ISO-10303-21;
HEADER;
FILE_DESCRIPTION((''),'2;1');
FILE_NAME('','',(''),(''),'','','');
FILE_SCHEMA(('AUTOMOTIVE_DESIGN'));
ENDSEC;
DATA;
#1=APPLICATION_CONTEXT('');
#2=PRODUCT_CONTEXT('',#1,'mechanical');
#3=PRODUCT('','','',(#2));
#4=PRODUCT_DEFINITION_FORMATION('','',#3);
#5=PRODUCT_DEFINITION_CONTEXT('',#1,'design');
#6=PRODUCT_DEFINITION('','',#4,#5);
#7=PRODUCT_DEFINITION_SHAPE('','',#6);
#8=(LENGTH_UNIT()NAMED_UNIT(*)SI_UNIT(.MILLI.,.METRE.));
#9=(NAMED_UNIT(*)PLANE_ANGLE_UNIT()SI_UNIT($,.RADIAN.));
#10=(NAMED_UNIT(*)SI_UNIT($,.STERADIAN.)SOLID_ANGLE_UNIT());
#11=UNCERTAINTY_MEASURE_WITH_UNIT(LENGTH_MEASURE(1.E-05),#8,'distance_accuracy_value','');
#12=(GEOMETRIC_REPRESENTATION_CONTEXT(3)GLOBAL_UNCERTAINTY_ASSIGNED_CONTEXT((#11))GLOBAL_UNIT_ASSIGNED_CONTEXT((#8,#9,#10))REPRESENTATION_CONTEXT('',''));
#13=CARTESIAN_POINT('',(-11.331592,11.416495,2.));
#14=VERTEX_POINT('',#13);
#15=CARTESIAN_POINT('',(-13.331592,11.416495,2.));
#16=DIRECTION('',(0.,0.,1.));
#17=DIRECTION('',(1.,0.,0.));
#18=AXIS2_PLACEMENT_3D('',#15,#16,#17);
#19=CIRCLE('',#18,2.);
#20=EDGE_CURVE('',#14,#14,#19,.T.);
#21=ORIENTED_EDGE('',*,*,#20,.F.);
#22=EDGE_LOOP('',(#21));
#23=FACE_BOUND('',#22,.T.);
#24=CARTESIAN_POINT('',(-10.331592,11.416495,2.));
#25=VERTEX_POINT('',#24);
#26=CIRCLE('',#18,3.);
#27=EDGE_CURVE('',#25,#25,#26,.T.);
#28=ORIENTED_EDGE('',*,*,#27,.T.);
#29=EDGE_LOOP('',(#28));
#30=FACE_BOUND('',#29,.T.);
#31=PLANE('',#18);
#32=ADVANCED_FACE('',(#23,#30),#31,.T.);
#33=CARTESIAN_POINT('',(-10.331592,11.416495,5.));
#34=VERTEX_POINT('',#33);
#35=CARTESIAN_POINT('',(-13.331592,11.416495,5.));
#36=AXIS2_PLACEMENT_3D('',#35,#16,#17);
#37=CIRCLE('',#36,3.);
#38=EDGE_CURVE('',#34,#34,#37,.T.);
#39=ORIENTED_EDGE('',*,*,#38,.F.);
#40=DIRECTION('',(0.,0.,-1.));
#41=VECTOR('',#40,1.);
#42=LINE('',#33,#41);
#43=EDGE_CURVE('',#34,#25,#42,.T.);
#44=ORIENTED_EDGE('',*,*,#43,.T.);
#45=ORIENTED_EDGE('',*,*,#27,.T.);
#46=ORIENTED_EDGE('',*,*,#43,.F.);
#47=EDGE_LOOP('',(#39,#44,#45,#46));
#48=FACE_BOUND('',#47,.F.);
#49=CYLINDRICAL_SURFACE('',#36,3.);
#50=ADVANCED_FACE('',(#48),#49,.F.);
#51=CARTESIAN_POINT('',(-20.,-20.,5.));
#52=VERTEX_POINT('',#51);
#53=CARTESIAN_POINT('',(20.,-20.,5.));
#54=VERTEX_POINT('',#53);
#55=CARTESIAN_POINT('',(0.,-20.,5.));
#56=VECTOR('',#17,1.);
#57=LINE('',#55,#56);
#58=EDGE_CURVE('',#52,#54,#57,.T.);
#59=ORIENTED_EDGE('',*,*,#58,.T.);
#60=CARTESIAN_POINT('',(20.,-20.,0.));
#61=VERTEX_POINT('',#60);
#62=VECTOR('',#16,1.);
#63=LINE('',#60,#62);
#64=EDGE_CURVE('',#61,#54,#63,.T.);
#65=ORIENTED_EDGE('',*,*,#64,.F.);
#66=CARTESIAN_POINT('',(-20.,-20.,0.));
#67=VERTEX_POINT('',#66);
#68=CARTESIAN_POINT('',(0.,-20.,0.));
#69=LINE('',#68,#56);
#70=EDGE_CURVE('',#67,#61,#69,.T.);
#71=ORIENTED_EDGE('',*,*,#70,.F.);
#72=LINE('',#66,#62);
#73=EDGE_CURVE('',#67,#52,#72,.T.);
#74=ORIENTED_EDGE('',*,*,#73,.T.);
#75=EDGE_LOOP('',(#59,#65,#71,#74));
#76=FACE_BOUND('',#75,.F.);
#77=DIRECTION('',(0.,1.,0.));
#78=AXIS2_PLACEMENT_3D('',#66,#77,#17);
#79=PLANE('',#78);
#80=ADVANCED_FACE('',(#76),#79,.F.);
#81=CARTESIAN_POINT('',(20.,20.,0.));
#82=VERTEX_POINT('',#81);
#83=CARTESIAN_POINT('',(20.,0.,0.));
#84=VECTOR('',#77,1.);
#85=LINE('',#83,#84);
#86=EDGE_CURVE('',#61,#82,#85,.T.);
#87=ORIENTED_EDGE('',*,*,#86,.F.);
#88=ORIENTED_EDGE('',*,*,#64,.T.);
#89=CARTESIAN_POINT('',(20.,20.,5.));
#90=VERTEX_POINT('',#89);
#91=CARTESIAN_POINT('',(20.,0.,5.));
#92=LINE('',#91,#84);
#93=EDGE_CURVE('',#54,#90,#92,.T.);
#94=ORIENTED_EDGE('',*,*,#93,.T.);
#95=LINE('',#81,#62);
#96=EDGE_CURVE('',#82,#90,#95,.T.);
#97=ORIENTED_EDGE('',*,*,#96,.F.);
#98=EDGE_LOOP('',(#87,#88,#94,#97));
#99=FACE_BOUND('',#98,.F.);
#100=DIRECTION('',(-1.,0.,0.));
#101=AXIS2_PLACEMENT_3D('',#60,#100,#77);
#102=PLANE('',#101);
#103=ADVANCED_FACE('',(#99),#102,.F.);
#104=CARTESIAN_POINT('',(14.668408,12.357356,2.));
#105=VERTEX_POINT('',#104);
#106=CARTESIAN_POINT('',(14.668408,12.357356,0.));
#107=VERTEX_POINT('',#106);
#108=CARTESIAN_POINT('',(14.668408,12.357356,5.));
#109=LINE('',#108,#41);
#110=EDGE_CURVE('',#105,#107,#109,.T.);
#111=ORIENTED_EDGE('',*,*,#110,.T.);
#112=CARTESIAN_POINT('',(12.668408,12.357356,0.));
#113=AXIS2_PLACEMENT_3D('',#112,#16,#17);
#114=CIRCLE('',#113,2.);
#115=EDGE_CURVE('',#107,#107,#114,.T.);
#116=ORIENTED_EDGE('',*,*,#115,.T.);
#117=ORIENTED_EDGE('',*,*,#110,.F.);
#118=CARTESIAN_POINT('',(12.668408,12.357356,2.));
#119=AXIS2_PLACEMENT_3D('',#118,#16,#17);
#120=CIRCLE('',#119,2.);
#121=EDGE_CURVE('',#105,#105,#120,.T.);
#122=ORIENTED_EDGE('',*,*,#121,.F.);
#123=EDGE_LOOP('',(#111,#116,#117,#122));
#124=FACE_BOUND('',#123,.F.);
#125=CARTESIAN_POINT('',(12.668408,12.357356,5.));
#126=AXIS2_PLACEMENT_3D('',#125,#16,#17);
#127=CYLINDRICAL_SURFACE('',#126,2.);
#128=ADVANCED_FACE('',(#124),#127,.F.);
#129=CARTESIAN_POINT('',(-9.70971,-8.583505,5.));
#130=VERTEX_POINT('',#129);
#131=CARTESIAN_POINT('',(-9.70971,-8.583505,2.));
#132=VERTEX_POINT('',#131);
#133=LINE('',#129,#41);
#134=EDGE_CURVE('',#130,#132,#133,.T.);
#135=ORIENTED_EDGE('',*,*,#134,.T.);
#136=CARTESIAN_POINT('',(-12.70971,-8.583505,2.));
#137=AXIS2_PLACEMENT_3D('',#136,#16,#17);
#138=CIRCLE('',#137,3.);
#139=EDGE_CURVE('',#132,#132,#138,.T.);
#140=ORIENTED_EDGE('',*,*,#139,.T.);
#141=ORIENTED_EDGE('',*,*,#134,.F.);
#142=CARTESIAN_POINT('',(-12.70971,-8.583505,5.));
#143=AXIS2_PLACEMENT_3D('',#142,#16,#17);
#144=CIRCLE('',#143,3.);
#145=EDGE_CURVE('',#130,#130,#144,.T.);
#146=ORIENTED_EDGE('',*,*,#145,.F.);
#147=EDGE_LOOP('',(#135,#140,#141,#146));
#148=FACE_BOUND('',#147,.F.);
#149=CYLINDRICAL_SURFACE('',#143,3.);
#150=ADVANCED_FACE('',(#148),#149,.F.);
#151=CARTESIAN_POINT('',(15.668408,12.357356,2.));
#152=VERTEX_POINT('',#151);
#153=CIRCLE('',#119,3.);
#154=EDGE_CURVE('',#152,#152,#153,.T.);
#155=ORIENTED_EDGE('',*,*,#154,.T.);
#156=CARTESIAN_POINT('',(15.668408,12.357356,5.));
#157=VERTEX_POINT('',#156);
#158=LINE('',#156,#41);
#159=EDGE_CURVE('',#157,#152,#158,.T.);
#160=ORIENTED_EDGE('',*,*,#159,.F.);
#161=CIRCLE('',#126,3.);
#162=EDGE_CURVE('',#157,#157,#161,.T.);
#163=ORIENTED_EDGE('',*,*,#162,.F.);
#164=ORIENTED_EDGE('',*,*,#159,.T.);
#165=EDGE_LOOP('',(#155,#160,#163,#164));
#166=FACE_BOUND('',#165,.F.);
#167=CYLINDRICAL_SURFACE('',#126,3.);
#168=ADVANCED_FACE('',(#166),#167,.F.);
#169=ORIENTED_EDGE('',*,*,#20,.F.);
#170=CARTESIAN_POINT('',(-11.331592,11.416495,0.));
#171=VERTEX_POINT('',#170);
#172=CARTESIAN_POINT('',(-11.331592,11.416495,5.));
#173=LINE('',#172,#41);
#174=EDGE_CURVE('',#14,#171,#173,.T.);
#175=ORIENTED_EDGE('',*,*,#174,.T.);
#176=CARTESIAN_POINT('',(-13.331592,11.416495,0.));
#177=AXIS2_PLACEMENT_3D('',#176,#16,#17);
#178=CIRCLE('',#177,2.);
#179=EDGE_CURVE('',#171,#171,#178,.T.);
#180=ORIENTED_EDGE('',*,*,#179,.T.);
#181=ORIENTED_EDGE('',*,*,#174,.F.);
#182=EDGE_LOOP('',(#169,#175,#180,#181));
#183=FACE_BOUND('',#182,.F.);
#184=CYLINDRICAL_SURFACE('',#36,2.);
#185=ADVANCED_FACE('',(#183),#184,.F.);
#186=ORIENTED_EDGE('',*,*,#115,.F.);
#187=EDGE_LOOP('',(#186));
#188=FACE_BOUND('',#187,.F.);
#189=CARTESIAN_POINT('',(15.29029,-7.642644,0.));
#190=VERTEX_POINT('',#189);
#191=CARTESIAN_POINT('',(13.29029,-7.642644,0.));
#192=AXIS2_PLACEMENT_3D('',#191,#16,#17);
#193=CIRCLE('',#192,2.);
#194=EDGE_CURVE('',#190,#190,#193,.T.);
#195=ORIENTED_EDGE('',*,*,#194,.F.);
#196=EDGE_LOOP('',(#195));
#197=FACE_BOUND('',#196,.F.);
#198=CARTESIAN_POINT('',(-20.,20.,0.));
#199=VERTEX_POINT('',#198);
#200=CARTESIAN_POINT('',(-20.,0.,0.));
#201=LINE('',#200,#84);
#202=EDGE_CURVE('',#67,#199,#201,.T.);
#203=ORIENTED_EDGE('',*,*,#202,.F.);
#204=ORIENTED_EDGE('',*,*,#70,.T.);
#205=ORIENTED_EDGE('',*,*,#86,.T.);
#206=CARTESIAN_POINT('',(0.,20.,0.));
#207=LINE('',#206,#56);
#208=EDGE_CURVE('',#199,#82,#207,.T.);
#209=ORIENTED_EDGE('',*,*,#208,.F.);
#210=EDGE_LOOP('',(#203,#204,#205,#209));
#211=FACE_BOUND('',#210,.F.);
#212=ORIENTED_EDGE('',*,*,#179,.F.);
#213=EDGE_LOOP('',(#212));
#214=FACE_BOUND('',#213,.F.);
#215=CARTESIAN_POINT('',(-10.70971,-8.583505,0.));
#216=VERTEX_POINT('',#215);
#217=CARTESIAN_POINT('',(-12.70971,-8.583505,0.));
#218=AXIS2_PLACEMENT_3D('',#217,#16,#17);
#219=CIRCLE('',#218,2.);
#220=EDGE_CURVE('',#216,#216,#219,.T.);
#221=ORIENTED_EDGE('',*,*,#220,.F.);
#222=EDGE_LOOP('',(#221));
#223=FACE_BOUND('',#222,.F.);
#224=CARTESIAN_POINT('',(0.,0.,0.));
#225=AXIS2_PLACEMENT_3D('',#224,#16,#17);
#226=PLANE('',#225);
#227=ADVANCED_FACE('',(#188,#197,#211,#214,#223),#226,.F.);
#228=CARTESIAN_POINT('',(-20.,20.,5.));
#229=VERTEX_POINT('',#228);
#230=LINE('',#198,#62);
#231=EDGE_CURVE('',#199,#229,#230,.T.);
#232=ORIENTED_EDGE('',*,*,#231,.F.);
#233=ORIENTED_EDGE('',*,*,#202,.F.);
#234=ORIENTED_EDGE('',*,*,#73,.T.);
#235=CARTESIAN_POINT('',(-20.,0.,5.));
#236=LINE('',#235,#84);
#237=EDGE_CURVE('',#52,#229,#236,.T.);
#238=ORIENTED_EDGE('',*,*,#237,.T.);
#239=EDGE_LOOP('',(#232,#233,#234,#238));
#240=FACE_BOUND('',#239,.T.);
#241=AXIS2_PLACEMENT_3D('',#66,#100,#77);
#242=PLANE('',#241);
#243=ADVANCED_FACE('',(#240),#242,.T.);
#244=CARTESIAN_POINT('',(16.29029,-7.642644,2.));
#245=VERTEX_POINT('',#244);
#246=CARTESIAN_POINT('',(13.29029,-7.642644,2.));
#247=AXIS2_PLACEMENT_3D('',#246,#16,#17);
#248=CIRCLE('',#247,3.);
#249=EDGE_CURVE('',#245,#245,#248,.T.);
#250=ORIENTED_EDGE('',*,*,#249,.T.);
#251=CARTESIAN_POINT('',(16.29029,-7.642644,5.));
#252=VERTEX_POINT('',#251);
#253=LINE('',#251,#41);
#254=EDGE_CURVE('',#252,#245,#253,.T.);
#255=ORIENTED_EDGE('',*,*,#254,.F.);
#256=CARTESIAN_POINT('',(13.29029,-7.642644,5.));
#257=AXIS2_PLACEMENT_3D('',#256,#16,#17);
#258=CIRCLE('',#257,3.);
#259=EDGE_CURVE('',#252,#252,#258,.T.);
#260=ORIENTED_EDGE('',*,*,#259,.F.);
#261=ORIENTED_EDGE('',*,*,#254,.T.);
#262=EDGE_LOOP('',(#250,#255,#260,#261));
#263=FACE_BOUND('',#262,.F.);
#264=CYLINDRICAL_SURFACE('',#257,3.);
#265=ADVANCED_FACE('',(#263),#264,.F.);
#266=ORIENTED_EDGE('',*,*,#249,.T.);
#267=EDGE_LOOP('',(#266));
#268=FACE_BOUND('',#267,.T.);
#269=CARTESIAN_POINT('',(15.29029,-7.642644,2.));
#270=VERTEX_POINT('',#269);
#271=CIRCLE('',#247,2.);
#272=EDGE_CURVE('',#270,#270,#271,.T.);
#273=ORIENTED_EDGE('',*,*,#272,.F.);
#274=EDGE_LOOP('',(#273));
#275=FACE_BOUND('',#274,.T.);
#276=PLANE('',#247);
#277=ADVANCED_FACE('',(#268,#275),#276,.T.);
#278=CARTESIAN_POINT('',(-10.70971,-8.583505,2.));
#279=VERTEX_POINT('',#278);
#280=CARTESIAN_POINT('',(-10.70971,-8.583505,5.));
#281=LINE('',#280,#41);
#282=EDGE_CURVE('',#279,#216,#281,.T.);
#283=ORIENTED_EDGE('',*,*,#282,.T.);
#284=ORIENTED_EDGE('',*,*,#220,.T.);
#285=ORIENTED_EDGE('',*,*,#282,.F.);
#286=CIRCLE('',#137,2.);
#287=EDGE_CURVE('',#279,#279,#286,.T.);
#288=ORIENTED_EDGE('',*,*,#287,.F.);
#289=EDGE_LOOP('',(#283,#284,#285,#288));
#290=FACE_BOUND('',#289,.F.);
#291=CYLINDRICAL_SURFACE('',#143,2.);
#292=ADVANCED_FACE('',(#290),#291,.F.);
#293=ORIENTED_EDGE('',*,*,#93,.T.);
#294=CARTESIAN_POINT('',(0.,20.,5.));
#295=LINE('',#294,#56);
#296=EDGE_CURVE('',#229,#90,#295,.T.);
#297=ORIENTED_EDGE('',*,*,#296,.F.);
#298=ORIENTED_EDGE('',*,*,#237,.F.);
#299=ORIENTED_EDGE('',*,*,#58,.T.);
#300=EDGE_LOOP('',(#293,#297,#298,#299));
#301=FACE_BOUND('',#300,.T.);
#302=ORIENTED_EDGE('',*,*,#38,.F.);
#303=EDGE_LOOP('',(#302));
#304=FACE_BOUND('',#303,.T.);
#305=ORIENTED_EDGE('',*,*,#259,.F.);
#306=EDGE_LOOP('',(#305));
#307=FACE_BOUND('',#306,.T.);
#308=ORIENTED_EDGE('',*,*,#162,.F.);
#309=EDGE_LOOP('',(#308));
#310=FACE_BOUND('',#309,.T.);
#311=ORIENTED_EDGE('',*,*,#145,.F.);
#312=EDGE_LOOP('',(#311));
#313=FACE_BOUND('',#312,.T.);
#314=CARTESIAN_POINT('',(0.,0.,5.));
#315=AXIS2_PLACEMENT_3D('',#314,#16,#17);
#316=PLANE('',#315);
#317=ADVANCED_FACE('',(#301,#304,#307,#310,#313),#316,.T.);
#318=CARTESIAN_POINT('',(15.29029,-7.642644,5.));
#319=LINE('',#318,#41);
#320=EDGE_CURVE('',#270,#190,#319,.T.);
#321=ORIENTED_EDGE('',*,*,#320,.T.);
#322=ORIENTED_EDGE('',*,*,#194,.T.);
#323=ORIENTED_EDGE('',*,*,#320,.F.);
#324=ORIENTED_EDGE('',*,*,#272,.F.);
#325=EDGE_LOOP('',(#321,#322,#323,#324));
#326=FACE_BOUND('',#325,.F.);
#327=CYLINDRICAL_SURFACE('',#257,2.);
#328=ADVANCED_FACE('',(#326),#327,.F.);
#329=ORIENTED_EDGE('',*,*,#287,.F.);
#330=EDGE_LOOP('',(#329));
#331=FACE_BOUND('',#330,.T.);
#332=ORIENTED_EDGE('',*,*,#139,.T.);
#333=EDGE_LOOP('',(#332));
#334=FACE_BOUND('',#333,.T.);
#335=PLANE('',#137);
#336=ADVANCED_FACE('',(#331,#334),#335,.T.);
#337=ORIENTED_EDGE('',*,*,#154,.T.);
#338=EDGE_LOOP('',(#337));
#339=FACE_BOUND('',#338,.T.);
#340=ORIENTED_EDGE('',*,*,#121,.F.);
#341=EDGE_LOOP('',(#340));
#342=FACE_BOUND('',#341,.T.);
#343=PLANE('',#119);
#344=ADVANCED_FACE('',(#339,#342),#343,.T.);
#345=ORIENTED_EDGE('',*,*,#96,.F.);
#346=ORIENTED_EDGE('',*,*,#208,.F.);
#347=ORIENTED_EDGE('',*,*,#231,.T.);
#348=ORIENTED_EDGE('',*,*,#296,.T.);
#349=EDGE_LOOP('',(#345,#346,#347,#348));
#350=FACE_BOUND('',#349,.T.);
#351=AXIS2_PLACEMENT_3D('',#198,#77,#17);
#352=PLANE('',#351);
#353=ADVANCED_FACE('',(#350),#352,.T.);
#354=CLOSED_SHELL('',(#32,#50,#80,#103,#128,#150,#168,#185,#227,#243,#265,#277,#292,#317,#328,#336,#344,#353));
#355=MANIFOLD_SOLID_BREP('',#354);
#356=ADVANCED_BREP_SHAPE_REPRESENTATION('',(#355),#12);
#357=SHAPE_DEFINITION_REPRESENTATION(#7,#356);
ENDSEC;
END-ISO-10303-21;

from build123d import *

# Parameters (mm, degrees)
F0_W     = 40
F0_H     = 40
F1_DEPTH = 5
F2_R     = 2
F3_DEPTH = 5
F4_R     = 3
F5_DEPTH = 3


with BuildPart() as f1:
    # F0 (on Top) → F1 (new body)
    with BuildSketch(Plane.XY):
        Rectangle(F0_W, F0_H)
    extrude(amount=F1_DEPTH)

    # F2 (on face) → F3 (cut)
    with BuildSketch(Plane.XY.offset(5)):
        with Locations((-12.70971, -8.583505)):
            Circle(F2_R)
        with Locations((-13.331592, 11.416495)):
            Circle(F2_R)
        with Locations((12.668408, 12.357356)):
            Circle(F2_R)
        with Locations((13.29029, -7.642644)):
            Circle(F2_R)
    extrude(amount=-F3_DEPTH, mode=Mode.SUBTRACT)

    # F4 (on face) → F5 (cut)
    with BuildSketch(Plane.XY.offset(5)):
        with Locations((-12.70971, -8.583505)):
            Circle(F4_R)
        with Locations((-13.331592, 11.416495)):
            Circle(F4_R)
        with Locations((12.668408, 12.357356)):
            Circle(F4_R)
        with Locations((13.29029, -7.642644)):
            Circle(F4_R)
    extrude(amount=-F5_DEPTH, mode=Mode.SUBTRACT)


solid = f1.part
